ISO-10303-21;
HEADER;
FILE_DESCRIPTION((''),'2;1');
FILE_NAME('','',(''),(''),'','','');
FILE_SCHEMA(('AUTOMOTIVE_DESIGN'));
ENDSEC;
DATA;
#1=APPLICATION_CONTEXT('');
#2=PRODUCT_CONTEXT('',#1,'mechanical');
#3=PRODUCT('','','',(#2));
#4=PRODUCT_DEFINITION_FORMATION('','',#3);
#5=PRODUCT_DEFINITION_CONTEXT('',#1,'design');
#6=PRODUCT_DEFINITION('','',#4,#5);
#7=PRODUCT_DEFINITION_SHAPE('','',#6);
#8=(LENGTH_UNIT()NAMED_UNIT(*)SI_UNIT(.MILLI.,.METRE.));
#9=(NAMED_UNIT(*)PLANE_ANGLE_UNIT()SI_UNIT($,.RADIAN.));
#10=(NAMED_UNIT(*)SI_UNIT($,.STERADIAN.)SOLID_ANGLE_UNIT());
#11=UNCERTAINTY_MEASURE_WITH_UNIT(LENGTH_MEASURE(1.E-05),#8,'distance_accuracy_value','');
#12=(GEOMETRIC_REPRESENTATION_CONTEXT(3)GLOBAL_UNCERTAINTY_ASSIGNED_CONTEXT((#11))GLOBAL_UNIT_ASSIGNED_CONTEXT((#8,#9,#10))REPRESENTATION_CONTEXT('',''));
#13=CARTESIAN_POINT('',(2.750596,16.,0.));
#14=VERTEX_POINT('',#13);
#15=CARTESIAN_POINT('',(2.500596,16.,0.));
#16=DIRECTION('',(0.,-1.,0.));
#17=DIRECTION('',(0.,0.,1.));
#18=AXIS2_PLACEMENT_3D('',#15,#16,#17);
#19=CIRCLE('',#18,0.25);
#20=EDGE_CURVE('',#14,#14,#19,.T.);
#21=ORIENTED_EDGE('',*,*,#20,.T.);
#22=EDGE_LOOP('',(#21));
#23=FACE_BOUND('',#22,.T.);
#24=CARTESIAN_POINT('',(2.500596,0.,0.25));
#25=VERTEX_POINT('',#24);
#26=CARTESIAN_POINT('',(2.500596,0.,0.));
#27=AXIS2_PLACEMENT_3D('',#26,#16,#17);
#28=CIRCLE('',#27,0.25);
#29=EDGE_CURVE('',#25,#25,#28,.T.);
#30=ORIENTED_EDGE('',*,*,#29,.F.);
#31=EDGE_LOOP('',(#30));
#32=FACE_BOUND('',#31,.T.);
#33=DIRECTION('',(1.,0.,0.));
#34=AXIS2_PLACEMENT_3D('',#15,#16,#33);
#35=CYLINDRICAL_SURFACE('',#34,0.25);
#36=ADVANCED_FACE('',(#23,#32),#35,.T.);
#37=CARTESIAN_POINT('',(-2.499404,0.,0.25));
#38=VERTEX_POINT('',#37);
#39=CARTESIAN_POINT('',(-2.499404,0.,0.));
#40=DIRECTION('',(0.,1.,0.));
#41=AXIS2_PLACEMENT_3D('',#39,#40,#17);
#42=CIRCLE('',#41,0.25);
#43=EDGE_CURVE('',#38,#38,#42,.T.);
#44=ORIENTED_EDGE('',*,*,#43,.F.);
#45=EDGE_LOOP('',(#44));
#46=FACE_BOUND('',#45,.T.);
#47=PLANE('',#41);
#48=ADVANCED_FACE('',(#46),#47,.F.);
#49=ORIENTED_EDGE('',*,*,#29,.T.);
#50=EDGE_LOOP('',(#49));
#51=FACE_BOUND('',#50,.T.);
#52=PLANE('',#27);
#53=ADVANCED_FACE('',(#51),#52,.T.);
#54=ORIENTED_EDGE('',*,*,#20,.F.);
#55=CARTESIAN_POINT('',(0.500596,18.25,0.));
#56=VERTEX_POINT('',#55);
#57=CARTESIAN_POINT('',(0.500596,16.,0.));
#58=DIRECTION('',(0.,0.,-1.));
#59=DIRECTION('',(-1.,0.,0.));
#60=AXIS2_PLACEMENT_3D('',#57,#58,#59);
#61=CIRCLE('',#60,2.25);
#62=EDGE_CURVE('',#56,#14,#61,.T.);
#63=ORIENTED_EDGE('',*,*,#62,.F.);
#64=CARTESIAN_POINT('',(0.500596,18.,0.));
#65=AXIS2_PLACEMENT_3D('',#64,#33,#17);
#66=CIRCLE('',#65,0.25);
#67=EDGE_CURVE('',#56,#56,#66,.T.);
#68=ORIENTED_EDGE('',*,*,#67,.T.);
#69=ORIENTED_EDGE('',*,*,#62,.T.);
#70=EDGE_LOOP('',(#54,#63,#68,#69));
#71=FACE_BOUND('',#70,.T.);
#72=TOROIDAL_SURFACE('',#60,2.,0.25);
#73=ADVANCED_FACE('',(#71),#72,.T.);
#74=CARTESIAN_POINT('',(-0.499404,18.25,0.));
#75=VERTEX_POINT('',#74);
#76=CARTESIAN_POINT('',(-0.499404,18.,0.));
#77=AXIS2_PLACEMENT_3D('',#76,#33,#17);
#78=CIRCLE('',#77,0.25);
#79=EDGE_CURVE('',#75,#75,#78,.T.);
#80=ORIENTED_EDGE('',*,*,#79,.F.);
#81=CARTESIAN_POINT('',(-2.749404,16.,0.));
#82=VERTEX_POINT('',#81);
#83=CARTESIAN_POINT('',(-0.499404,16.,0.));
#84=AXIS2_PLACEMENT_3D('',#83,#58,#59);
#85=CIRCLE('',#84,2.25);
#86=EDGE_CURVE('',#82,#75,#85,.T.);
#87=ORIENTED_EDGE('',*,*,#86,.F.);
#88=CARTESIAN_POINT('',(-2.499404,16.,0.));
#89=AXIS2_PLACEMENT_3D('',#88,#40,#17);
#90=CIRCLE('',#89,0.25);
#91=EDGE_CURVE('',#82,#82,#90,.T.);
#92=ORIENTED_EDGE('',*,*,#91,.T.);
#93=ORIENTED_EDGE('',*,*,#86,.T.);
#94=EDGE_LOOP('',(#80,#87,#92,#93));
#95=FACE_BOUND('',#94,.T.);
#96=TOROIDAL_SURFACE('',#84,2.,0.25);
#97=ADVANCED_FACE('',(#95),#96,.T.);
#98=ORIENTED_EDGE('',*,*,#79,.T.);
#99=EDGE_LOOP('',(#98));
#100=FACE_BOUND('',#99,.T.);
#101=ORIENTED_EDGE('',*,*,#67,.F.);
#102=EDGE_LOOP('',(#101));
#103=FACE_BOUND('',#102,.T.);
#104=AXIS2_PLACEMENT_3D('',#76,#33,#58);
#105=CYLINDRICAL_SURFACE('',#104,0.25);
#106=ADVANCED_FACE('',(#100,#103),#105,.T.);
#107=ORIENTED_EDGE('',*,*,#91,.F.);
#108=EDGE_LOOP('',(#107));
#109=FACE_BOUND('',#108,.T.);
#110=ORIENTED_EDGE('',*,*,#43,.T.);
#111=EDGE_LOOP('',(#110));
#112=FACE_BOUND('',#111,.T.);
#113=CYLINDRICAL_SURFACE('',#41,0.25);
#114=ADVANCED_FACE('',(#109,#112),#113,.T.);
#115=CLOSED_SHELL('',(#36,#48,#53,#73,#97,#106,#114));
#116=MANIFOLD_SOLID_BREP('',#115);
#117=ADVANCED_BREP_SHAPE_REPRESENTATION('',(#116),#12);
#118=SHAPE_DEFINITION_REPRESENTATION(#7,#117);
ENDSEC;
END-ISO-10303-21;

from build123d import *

# Parameters (mm, degrees)
SKETCH1_R = 0.25


with BuildPart() as part:
    # Sweep1: sweep along a path in Sketch2
    with BuildLine(Plane.XY) as sweep1_path:
        Line((-2.499404207, 0), (-2.499404207, 16))
        ThreePointArc((-2.499404207, 16), (-1.913617769, 17.414213562), (-0.499404207, 18))
        Line((-0.499404207, 18), (0.500595793, 18))
        ThreePointArc((0.500595793, 18), (1.914809356, 17.414213562), (2.500595793, 16))
        Line((2.500595793, 16), (2.500595793, 0))
    # Sketch1 → Sweep1 (sweep)
    with BuildSketch(Plane(origin=(0, 0, 0), x_dir=(1, 0, 0), z_dir=(0, 1, 0))):
        with Locations((-2.499404207, 0)):
            Circle(SKETCH1_R)
    sweep(path=sweep1_path.line)


solid = part.part
